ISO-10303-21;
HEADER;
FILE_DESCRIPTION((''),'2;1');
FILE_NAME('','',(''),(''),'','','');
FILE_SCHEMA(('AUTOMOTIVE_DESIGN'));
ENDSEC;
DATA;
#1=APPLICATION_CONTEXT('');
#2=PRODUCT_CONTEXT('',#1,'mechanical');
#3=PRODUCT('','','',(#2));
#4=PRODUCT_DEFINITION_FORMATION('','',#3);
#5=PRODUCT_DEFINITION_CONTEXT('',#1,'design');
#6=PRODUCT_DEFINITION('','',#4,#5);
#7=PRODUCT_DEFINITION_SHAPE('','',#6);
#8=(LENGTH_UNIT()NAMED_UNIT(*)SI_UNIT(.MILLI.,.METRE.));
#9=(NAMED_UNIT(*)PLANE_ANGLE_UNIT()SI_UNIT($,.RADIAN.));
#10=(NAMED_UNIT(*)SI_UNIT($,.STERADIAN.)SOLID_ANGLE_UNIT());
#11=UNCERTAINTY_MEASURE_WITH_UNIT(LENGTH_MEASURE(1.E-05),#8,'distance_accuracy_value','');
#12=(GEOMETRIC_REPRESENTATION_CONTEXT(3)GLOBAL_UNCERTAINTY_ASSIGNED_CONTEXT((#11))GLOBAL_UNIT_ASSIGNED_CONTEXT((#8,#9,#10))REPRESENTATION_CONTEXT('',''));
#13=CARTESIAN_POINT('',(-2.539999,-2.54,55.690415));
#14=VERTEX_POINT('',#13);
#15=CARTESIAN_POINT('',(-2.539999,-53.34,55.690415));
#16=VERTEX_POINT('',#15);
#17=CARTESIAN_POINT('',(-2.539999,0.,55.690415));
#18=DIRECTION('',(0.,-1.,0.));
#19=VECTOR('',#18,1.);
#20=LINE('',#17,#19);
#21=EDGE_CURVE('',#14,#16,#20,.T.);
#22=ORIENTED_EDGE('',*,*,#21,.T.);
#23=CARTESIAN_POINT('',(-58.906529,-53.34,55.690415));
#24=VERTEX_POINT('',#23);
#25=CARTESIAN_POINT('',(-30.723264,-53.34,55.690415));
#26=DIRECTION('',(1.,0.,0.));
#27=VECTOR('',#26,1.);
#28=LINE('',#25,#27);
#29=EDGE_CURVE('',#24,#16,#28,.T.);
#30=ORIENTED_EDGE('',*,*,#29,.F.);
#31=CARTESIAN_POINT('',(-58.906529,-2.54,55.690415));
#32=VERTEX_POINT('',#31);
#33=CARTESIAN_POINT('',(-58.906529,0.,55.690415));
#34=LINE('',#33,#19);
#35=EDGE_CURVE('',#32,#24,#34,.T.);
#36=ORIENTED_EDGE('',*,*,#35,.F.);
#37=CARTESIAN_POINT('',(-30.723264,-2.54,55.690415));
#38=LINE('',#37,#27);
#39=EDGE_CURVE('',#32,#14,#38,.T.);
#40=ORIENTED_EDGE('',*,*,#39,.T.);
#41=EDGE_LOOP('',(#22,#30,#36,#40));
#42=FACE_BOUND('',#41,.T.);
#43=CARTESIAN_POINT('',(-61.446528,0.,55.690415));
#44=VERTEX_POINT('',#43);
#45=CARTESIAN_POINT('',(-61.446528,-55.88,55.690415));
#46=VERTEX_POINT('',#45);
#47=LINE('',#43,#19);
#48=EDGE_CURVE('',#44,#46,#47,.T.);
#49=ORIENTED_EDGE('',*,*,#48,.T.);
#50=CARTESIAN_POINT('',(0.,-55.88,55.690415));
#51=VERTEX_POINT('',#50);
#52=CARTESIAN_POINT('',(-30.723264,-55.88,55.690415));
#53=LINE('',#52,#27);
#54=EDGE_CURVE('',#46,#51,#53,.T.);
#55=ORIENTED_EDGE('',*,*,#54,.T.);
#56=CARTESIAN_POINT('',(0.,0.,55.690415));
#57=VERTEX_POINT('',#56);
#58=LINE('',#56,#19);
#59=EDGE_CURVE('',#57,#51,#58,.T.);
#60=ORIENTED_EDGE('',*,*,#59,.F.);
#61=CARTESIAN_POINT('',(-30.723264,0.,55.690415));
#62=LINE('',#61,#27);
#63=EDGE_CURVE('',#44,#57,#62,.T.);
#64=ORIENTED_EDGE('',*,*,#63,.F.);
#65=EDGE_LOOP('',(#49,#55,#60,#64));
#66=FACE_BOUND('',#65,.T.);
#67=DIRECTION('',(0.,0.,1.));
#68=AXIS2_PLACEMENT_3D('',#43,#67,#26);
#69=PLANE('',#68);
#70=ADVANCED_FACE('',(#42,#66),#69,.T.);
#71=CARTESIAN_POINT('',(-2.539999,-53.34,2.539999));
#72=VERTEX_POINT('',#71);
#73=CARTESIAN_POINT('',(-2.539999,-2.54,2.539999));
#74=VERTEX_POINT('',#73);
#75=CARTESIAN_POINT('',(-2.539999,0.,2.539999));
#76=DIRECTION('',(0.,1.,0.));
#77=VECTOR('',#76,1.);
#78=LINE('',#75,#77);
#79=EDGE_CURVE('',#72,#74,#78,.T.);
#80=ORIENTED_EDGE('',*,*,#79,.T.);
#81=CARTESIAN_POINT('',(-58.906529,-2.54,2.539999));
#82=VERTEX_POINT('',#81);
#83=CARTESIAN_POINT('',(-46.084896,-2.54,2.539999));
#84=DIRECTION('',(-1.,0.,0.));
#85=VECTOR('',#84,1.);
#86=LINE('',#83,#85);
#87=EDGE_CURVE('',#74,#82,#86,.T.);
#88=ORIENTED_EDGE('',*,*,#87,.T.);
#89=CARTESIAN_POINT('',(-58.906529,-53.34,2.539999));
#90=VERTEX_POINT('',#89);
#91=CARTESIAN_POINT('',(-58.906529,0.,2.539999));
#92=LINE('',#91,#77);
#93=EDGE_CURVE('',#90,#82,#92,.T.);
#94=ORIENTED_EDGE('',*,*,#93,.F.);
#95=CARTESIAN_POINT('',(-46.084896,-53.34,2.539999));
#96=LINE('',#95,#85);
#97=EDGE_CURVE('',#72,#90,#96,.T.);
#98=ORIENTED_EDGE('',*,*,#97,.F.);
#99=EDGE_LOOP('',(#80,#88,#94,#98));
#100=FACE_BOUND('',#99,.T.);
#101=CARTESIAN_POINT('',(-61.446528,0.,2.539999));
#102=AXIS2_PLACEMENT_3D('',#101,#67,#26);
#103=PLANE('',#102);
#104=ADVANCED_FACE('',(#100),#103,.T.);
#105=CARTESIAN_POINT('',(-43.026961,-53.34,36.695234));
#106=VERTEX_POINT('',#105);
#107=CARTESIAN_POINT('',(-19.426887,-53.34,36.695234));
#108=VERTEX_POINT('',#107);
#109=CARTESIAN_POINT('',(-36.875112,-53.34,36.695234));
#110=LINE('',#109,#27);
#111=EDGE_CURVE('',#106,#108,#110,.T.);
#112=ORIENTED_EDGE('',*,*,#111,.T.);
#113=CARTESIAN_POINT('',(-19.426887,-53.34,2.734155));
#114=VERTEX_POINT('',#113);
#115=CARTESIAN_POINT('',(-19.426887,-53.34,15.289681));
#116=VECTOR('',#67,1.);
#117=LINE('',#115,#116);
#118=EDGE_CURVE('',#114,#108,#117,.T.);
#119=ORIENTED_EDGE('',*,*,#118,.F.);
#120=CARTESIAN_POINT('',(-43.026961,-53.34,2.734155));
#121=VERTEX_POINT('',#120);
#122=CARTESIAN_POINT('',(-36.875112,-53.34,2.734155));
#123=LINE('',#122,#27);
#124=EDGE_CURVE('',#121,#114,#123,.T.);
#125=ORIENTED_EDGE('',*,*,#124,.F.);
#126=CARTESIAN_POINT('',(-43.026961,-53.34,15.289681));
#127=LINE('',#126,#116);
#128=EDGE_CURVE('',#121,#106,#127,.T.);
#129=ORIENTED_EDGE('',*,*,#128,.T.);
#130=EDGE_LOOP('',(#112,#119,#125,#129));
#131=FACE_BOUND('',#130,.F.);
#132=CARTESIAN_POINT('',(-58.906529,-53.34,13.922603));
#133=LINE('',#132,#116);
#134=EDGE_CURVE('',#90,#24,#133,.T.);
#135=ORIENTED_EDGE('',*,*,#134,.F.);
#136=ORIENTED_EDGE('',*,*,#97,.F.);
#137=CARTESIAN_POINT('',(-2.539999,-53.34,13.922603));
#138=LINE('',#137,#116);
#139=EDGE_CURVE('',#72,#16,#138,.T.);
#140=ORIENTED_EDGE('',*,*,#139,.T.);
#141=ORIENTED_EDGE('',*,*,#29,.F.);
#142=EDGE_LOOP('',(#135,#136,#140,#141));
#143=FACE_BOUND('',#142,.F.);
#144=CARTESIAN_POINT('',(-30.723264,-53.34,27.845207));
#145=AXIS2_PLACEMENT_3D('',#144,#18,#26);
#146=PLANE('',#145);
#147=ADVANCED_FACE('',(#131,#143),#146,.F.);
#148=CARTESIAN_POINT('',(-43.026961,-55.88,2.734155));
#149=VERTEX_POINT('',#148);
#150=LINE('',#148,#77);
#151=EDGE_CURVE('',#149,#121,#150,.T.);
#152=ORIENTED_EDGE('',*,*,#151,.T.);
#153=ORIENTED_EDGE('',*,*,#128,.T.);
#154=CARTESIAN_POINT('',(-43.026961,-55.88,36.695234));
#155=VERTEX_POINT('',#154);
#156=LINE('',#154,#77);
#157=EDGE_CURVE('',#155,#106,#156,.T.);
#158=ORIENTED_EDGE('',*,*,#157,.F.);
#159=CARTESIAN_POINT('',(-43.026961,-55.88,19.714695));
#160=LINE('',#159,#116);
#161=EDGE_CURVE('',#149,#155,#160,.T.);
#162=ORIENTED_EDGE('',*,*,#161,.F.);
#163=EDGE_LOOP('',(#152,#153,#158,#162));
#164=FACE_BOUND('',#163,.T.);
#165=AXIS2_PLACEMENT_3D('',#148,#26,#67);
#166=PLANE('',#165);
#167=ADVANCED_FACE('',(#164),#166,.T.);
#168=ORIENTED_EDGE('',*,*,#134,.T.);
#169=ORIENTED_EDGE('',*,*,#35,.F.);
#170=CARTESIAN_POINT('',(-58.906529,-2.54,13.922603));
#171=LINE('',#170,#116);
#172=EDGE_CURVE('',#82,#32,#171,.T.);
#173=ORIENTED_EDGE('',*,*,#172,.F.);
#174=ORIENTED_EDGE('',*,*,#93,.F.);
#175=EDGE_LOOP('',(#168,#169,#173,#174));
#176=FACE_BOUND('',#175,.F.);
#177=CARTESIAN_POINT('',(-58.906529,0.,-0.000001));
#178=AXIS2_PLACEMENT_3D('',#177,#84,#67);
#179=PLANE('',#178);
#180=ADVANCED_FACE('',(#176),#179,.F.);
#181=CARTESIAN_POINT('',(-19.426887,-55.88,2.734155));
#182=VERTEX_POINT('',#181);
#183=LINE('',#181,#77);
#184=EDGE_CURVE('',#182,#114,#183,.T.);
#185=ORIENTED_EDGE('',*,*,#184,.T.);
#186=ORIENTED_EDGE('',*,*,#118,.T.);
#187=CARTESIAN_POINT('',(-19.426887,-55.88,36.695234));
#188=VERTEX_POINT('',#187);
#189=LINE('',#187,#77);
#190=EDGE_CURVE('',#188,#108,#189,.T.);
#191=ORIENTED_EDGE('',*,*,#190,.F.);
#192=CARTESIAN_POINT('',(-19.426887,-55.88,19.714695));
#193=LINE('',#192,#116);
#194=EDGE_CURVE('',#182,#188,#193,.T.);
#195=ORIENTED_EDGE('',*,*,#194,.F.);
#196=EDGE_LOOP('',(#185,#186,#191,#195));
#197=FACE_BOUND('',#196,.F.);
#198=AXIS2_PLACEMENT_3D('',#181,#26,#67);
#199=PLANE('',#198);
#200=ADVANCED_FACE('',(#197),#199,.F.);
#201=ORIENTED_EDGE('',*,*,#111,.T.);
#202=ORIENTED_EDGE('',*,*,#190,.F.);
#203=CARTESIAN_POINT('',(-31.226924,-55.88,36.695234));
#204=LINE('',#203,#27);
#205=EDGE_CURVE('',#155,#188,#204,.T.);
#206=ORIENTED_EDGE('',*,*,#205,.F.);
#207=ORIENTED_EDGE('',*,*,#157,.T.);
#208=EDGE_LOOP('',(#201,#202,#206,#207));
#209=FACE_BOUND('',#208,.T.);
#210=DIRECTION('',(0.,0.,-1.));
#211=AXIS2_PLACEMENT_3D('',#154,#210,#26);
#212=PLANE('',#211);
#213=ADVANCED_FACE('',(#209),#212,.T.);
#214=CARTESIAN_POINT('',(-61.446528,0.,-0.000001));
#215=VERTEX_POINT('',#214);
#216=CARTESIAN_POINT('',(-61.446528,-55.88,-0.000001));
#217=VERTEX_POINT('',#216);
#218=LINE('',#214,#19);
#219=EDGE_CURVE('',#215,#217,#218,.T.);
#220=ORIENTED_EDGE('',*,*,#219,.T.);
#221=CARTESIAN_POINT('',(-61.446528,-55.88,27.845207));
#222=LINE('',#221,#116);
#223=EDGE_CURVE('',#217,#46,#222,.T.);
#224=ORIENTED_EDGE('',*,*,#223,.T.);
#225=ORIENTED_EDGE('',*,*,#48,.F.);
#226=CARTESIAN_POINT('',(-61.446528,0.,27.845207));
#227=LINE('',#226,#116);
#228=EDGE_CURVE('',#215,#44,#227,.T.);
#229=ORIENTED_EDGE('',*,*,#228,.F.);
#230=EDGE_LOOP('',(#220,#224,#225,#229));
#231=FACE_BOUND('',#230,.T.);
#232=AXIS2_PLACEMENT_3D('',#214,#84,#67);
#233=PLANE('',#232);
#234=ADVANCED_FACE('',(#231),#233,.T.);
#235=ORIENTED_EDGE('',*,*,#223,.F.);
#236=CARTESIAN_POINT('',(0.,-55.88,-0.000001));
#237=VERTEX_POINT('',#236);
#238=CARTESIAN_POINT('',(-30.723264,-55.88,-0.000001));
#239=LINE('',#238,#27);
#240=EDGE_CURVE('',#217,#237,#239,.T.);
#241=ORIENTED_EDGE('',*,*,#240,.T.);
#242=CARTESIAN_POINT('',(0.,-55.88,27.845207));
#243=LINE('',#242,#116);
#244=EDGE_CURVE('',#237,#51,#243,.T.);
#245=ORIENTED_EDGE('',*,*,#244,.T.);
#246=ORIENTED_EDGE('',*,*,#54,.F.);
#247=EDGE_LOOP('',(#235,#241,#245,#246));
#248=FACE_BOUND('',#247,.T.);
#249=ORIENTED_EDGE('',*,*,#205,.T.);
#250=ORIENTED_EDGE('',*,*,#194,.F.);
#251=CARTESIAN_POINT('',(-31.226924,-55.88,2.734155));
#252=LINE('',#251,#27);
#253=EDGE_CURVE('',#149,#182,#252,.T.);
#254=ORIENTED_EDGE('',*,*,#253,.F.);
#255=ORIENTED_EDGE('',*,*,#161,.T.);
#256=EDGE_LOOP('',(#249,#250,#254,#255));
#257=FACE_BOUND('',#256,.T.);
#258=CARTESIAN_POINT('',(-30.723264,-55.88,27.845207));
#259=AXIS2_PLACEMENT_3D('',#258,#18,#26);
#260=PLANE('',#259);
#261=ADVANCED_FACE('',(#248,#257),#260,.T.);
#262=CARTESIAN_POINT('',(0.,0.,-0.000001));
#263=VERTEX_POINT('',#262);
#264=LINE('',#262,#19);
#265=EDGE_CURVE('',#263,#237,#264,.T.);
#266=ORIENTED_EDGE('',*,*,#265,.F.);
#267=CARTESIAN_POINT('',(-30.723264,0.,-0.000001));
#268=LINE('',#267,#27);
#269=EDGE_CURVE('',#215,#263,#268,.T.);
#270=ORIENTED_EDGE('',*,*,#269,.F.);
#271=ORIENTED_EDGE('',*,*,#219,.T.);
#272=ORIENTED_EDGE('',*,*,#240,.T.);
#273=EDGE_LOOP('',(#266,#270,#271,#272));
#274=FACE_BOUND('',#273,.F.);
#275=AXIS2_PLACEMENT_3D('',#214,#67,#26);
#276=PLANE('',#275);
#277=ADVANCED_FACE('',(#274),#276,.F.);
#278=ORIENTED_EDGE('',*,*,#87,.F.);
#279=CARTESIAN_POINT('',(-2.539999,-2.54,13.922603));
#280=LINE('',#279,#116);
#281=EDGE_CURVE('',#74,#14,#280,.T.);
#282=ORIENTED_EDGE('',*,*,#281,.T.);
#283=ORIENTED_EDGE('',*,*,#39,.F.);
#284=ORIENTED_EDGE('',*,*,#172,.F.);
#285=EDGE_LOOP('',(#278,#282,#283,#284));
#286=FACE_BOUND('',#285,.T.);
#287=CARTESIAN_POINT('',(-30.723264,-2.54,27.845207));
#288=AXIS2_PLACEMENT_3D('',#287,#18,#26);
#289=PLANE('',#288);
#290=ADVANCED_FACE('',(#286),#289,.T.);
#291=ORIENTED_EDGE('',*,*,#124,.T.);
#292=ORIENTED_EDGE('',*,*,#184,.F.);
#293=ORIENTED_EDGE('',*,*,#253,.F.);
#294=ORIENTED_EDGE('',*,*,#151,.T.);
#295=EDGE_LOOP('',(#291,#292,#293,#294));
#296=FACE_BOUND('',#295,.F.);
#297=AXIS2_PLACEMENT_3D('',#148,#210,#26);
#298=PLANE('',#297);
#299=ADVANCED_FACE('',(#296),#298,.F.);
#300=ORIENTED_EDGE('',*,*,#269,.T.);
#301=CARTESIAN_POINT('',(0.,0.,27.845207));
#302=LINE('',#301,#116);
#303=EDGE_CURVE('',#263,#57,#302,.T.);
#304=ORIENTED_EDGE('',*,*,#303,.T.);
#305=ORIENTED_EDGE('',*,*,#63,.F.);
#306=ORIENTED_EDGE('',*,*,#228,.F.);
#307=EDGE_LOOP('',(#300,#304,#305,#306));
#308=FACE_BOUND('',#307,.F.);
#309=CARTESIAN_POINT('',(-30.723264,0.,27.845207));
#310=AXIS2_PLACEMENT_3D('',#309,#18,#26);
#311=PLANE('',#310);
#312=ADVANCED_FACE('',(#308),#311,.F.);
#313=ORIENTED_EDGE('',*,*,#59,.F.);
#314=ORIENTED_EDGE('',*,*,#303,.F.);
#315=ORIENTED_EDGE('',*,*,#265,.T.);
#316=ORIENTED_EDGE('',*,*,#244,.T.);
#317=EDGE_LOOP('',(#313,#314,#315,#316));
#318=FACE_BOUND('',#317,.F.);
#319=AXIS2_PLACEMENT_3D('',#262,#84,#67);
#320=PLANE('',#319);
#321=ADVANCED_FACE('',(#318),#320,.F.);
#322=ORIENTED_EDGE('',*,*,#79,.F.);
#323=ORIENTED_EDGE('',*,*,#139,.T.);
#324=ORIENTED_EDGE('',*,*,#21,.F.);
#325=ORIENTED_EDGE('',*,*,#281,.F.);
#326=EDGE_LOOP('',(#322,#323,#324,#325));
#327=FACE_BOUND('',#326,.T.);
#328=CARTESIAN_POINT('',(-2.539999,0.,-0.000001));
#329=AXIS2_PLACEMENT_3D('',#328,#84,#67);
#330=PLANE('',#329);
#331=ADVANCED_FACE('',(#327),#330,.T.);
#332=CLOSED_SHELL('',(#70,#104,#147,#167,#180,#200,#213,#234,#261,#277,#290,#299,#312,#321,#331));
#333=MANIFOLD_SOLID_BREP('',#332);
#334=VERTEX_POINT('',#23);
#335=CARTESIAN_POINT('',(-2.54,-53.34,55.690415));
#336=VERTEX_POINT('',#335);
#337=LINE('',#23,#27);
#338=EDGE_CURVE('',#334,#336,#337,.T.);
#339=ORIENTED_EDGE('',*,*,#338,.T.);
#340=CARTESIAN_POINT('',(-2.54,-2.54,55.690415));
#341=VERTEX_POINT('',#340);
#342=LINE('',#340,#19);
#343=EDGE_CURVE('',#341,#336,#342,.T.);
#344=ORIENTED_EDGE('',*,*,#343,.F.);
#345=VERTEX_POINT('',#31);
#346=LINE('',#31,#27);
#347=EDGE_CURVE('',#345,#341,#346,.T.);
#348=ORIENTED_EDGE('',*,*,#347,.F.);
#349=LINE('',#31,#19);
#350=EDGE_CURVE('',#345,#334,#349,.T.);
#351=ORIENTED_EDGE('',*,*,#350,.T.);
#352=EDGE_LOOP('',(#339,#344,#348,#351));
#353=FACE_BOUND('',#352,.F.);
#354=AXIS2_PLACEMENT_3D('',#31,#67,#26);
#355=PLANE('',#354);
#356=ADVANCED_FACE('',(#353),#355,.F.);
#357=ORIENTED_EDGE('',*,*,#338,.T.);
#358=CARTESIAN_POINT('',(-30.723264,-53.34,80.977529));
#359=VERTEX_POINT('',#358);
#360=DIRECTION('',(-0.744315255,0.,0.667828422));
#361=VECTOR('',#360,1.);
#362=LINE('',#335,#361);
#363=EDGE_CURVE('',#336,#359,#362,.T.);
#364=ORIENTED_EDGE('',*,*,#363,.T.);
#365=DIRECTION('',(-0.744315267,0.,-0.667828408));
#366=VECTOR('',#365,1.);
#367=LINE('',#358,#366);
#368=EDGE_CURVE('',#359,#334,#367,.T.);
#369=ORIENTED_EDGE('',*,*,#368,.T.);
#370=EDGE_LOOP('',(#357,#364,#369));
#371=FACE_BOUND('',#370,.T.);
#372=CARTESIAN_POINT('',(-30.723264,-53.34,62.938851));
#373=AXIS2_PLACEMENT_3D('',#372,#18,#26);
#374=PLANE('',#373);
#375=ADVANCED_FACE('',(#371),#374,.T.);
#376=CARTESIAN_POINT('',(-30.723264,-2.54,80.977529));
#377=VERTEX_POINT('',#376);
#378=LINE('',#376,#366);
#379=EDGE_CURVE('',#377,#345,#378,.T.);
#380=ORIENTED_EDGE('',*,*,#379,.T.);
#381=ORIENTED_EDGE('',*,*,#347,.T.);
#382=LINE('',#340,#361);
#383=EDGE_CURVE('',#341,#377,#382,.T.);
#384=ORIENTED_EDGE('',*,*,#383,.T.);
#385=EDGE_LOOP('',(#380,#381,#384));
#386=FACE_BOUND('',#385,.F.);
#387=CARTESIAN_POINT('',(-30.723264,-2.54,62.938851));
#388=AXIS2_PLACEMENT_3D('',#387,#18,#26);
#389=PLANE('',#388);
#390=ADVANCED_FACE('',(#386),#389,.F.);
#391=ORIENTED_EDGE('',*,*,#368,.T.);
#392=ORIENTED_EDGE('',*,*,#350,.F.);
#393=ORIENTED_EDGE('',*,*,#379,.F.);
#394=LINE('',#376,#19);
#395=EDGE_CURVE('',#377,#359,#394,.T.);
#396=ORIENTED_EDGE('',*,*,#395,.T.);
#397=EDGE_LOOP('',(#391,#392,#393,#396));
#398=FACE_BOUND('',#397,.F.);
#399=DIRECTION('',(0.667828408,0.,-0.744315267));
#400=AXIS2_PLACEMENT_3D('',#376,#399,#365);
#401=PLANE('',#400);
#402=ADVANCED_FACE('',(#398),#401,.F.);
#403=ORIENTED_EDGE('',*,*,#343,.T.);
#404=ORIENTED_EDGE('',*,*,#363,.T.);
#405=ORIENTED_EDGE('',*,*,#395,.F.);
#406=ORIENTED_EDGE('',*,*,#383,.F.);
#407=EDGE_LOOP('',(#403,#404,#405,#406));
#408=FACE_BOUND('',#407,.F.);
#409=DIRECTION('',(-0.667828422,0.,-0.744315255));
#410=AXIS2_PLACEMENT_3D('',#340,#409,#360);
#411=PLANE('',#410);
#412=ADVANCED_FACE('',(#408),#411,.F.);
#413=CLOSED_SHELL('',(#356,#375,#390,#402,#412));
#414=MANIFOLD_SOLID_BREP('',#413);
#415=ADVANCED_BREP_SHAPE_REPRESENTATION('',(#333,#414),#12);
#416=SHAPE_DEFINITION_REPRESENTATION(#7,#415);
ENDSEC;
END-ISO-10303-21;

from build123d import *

# Parameters (mm, degrees)
F0_W     = 61.446529
F0_H     = 55.690415
F1_DEPTH = 55.88
F2_T     = -2.54
F3_W     = 23.600073
F3_H     = 33.961079
F4_DEPTH = 25.4
F6_DEPTH = 50.8


with BuildPart() as f1:
    # F0 (on Front) → F1 (new body)
    with BuildSketch(Plane.XZ):
        with Locations((-30.723264, 27.845207)):
            Rectangle(F0_W, F0_H)
    extrude(amount=F1_DEPTH)

    # F2
    f2_openings = [f1.faces().sort_by_distance(p)[0] for p in [
        (-30.723264, -27.94, 55.690415),
    ]]
    offset(amount=F2_T, openings=f2_openings)

    # F3 (on face) → F4 (cut)
    with BuildSketch(Plane.XZ.offset(55.88)):
        with Locations((-31.226924, 19.714695)):
            Rectangle(F3_W, F3_H)
    extrude(amount=-F4_DEPTH, mode=Mode.SUBTRACT)


with BuildPart() as f6:
    # F5 (on face) → F6 (new body)
    with BuildSketch(Plane.XZ.offset(2.54)):
        Polygon((-30.723264, 80.977529), (-58.906529, 55.690415), (-2.54, 55.690415), align=None)
    extrude(amount=F6_DEPTH)


solid = Compound([f1.part, f6.part])
